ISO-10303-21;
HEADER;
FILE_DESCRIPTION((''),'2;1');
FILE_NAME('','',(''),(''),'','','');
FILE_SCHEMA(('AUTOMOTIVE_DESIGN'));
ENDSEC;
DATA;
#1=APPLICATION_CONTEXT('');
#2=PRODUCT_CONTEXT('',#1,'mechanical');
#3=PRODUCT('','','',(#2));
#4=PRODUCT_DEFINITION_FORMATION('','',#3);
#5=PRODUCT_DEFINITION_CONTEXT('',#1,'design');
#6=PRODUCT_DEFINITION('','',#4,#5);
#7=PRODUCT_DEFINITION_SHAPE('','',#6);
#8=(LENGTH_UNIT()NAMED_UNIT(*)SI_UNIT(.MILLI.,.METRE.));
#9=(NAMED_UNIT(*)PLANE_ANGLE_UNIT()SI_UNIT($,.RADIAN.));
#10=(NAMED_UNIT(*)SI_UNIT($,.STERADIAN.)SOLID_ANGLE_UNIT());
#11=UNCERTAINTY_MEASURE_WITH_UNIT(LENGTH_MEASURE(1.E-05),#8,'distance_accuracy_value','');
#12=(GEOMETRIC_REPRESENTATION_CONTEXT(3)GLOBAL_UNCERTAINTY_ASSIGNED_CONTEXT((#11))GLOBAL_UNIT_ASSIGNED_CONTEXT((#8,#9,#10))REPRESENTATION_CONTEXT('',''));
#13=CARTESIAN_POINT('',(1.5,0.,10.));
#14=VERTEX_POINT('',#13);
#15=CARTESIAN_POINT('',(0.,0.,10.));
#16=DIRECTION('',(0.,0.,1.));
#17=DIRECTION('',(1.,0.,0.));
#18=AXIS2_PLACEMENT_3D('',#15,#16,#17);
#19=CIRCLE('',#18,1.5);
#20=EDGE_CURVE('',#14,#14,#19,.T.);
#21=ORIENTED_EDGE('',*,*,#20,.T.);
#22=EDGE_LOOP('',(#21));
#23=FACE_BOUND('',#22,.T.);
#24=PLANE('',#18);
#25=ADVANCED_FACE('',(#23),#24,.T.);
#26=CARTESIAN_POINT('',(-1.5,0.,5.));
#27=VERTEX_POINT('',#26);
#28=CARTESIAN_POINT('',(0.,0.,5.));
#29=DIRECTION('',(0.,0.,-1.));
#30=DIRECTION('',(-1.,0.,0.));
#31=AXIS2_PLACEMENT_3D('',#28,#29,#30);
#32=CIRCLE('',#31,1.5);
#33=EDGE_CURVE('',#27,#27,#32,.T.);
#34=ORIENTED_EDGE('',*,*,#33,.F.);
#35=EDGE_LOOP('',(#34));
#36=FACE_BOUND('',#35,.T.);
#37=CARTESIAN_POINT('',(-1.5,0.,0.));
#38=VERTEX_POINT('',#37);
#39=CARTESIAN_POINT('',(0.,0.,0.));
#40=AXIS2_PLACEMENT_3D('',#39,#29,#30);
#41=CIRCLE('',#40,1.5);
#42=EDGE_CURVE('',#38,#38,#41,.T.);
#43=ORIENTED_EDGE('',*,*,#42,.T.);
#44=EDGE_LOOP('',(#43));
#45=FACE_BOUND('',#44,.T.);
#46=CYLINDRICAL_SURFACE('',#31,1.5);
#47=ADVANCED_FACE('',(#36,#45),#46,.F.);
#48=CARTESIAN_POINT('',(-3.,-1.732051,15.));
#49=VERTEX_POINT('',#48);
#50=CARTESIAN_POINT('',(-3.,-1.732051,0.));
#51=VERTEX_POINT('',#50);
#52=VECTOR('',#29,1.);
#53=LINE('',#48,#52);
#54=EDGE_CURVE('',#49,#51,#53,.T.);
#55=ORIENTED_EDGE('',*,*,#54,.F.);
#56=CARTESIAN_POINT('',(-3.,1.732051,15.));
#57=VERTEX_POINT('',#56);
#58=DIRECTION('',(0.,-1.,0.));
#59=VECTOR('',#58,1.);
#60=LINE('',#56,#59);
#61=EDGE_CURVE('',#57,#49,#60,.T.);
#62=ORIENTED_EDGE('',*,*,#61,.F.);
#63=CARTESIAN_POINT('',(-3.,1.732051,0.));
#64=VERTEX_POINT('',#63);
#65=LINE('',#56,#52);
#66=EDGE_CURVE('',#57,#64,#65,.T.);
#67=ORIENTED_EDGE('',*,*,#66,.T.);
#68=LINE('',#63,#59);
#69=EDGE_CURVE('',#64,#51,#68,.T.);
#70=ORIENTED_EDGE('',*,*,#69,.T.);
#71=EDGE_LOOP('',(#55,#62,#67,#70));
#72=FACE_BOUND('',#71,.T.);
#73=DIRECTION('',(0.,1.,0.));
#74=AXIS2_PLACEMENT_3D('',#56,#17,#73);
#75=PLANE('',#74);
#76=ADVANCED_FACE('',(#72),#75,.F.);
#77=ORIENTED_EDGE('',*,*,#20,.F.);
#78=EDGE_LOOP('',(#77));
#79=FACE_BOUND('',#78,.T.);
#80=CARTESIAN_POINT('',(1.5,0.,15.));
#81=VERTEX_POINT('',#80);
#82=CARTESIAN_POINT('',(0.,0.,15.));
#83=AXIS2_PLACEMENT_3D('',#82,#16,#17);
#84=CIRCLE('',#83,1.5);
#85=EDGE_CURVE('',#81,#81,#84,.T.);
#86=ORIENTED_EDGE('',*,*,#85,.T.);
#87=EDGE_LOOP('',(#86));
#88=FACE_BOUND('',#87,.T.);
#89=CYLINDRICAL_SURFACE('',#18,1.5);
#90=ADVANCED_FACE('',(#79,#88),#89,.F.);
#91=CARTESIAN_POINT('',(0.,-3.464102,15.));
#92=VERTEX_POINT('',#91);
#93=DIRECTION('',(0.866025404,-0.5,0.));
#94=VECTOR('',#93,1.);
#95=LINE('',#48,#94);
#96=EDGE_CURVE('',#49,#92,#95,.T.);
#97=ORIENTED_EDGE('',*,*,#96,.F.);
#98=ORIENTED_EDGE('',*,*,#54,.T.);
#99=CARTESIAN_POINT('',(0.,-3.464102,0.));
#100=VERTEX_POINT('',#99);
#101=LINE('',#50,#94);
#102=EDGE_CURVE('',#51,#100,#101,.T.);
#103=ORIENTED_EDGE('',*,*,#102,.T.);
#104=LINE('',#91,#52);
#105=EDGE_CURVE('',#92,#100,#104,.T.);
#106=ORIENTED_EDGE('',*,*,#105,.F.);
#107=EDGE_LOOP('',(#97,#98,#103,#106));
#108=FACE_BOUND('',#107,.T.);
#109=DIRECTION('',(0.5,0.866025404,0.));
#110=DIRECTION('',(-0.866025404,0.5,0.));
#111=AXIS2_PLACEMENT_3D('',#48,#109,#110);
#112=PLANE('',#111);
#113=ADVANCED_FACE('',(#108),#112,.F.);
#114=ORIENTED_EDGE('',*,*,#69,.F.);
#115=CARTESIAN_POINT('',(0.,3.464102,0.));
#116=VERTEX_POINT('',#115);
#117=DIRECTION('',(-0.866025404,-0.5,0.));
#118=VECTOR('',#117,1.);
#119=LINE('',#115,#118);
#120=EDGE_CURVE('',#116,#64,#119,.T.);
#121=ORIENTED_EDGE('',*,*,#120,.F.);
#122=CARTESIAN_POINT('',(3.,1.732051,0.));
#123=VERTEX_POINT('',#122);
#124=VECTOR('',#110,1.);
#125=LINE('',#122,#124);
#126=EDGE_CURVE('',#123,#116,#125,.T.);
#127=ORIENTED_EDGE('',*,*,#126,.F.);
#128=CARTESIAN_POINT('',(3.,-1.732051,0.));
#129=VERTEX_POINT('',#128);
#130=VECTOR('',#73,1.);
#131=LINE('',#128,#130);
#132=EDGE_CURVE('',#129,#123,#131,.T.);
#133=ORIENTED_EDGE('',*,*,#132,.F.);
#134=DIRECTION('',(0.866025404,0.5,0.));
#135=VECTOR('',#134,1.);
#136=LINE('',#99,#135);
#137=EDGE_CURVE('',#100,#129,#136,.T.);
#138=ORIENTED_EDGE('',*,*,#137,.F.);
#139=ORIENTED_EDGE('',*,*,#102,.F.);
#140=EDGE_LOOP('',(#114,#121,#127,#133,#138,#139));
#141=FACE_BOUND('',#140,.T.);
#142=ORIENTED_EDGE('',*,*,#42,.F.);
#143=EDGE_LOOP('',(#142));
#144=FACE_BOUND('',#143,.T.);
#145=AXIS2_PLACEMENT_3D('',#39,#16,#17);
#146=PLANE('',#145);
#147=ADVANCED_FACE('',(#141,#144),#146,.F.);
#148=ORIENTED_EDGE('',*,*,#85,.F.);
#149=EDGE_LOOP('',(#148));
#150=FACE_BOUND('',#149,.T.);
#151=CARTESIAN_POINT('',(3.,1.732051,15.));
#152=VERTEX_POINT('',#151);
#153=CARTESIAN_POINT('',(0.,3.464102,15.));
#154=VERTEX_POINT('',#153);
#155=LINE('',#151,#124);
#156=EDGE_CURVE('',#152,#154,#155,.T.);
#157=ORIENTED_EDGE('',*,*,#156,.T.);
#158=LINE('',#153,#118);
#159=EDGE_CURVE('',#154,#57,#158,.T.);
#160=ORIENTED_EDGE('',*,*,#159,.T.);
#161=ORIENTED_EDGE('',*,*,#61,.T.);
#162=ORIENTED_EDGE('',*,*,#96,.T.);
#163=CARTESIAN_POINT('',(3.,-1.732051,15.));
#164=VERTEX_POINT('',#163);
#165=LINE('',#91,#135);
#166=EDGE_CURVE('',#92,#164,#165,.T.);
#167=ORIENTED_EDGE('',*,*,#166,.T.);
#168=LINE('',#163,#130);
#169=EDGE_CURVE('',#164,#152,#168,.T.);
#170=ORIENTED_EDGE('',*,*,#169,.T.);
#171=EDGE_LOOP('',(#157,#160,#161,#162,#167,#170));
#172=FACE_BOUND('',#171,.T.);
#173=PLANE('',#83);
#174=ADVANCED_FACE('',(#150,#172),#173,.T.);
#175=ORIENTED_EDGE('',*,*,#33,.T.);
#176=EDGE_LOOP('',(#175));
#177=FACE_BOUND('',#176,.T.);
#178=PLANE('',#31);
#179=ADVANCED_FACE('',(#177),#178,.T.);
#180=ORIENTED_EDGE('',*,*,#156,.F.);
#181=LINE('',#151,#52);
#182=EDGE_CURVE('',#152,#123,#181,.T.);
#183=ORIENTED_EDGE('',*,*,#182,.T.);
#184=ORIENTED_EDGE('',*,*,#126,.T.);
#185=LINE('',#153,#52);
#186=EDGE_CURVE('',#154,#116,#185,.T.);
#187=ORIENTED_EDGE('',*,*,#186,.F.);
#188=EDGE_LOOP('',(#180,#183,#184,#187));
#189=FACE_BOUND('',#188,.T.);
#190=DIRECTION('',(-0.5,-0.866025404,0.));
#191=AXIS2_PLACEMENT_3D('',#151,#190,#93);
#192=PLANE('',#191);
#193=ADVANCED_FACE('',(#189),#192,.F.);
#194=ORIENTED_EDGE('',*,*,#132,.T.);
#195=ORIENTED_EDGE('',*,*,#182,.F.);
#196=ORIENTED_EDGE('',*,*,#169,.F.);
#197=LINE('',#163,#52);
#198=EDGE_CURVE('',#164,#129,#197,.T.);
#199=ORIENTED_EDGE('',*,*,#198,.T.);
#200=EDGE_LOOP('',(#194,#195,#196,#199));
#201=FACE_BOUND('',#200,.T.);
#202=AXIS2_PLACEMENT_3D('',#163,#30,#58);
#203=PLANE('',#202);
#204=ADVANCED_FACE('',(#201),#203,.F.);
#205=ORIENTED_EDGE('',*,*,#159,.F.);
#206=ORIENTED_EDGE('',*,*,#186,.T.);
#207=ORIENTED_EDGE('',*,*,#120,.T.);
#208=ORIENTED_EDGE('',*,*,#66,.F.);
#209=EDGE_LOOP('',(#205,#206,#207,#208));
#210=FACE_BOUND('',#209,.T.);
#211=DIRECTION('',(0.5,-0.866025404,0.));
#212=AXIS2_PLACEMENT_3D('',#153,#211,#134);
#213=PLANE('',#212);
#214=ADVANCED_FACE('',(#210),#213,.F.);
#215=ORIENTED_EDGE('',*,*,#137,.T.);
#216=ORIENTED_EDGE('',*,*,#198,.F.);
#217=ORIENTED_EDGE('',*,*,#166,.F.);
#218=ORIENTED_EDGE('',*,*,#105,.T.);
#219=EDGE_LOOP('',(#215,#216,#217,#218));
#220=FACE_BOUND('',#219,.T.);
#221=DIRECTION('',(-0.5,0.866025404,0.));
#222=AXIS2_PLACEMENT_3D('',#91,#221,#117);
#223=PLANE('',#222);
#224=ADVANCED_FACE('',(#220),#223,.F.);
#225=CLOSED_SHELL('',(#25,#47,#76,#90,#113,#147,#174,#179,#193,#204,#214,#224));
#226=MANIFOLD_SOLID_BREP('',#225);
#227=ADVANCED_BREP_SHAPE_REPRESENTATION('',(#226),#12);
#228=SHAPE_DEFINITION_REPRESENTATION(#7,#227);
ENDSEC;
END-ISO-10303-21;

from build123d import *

# Parameters (mm, degrees)
BOSS_EXTRU_1_DEPTH      = 15
ESQUISSE2_R             = 1.5
ENL_V_MAT_EXTRU_1_DEPTH = 5
ESQUISSE3_R             = 1.5
ENL_V_MAT_EXTRU_2_DEPTH = 5


with BuildPart() as part:
    # Esquisse1 → Boss.-Extru.1 (new body)
    with BuildSketch(Plane.XY):
        Polygon((0, -3.464101615), (3, -1.732050808), (3, 1.732050808), (0, 3.464101615), (-3, 1.732050808), (-3, -1.732050808), align=None)
    extrude(amount=BOSS_EXTRU_1_DEPTH)

    # Esquisse2 → Enlèv. mat.-Extru.1 (cut)
    with BuildSketch(Plane(origin=(0, 0, 0), x_dir=(-1, 0, 0), z_dir=(0, 0, -1))):
        Circle(ESQUISSE2_R)
    extrude(amount=-ENL_V_MAT_EXTRU_1_DEPTH, mode=Mode.SUBTRACT)

    # Esquisse3 → Enlèv. mat.-Extru.2 (cut)
    with BuildSketch(Plane.XY.offset(15)):
        Circle(ESQUISSE3_R)
    extrude(amount=-ENL_V_MAT_EXTRU_2_DEPTH, mode=Mode.SUBTRACT)


solid = part.part
